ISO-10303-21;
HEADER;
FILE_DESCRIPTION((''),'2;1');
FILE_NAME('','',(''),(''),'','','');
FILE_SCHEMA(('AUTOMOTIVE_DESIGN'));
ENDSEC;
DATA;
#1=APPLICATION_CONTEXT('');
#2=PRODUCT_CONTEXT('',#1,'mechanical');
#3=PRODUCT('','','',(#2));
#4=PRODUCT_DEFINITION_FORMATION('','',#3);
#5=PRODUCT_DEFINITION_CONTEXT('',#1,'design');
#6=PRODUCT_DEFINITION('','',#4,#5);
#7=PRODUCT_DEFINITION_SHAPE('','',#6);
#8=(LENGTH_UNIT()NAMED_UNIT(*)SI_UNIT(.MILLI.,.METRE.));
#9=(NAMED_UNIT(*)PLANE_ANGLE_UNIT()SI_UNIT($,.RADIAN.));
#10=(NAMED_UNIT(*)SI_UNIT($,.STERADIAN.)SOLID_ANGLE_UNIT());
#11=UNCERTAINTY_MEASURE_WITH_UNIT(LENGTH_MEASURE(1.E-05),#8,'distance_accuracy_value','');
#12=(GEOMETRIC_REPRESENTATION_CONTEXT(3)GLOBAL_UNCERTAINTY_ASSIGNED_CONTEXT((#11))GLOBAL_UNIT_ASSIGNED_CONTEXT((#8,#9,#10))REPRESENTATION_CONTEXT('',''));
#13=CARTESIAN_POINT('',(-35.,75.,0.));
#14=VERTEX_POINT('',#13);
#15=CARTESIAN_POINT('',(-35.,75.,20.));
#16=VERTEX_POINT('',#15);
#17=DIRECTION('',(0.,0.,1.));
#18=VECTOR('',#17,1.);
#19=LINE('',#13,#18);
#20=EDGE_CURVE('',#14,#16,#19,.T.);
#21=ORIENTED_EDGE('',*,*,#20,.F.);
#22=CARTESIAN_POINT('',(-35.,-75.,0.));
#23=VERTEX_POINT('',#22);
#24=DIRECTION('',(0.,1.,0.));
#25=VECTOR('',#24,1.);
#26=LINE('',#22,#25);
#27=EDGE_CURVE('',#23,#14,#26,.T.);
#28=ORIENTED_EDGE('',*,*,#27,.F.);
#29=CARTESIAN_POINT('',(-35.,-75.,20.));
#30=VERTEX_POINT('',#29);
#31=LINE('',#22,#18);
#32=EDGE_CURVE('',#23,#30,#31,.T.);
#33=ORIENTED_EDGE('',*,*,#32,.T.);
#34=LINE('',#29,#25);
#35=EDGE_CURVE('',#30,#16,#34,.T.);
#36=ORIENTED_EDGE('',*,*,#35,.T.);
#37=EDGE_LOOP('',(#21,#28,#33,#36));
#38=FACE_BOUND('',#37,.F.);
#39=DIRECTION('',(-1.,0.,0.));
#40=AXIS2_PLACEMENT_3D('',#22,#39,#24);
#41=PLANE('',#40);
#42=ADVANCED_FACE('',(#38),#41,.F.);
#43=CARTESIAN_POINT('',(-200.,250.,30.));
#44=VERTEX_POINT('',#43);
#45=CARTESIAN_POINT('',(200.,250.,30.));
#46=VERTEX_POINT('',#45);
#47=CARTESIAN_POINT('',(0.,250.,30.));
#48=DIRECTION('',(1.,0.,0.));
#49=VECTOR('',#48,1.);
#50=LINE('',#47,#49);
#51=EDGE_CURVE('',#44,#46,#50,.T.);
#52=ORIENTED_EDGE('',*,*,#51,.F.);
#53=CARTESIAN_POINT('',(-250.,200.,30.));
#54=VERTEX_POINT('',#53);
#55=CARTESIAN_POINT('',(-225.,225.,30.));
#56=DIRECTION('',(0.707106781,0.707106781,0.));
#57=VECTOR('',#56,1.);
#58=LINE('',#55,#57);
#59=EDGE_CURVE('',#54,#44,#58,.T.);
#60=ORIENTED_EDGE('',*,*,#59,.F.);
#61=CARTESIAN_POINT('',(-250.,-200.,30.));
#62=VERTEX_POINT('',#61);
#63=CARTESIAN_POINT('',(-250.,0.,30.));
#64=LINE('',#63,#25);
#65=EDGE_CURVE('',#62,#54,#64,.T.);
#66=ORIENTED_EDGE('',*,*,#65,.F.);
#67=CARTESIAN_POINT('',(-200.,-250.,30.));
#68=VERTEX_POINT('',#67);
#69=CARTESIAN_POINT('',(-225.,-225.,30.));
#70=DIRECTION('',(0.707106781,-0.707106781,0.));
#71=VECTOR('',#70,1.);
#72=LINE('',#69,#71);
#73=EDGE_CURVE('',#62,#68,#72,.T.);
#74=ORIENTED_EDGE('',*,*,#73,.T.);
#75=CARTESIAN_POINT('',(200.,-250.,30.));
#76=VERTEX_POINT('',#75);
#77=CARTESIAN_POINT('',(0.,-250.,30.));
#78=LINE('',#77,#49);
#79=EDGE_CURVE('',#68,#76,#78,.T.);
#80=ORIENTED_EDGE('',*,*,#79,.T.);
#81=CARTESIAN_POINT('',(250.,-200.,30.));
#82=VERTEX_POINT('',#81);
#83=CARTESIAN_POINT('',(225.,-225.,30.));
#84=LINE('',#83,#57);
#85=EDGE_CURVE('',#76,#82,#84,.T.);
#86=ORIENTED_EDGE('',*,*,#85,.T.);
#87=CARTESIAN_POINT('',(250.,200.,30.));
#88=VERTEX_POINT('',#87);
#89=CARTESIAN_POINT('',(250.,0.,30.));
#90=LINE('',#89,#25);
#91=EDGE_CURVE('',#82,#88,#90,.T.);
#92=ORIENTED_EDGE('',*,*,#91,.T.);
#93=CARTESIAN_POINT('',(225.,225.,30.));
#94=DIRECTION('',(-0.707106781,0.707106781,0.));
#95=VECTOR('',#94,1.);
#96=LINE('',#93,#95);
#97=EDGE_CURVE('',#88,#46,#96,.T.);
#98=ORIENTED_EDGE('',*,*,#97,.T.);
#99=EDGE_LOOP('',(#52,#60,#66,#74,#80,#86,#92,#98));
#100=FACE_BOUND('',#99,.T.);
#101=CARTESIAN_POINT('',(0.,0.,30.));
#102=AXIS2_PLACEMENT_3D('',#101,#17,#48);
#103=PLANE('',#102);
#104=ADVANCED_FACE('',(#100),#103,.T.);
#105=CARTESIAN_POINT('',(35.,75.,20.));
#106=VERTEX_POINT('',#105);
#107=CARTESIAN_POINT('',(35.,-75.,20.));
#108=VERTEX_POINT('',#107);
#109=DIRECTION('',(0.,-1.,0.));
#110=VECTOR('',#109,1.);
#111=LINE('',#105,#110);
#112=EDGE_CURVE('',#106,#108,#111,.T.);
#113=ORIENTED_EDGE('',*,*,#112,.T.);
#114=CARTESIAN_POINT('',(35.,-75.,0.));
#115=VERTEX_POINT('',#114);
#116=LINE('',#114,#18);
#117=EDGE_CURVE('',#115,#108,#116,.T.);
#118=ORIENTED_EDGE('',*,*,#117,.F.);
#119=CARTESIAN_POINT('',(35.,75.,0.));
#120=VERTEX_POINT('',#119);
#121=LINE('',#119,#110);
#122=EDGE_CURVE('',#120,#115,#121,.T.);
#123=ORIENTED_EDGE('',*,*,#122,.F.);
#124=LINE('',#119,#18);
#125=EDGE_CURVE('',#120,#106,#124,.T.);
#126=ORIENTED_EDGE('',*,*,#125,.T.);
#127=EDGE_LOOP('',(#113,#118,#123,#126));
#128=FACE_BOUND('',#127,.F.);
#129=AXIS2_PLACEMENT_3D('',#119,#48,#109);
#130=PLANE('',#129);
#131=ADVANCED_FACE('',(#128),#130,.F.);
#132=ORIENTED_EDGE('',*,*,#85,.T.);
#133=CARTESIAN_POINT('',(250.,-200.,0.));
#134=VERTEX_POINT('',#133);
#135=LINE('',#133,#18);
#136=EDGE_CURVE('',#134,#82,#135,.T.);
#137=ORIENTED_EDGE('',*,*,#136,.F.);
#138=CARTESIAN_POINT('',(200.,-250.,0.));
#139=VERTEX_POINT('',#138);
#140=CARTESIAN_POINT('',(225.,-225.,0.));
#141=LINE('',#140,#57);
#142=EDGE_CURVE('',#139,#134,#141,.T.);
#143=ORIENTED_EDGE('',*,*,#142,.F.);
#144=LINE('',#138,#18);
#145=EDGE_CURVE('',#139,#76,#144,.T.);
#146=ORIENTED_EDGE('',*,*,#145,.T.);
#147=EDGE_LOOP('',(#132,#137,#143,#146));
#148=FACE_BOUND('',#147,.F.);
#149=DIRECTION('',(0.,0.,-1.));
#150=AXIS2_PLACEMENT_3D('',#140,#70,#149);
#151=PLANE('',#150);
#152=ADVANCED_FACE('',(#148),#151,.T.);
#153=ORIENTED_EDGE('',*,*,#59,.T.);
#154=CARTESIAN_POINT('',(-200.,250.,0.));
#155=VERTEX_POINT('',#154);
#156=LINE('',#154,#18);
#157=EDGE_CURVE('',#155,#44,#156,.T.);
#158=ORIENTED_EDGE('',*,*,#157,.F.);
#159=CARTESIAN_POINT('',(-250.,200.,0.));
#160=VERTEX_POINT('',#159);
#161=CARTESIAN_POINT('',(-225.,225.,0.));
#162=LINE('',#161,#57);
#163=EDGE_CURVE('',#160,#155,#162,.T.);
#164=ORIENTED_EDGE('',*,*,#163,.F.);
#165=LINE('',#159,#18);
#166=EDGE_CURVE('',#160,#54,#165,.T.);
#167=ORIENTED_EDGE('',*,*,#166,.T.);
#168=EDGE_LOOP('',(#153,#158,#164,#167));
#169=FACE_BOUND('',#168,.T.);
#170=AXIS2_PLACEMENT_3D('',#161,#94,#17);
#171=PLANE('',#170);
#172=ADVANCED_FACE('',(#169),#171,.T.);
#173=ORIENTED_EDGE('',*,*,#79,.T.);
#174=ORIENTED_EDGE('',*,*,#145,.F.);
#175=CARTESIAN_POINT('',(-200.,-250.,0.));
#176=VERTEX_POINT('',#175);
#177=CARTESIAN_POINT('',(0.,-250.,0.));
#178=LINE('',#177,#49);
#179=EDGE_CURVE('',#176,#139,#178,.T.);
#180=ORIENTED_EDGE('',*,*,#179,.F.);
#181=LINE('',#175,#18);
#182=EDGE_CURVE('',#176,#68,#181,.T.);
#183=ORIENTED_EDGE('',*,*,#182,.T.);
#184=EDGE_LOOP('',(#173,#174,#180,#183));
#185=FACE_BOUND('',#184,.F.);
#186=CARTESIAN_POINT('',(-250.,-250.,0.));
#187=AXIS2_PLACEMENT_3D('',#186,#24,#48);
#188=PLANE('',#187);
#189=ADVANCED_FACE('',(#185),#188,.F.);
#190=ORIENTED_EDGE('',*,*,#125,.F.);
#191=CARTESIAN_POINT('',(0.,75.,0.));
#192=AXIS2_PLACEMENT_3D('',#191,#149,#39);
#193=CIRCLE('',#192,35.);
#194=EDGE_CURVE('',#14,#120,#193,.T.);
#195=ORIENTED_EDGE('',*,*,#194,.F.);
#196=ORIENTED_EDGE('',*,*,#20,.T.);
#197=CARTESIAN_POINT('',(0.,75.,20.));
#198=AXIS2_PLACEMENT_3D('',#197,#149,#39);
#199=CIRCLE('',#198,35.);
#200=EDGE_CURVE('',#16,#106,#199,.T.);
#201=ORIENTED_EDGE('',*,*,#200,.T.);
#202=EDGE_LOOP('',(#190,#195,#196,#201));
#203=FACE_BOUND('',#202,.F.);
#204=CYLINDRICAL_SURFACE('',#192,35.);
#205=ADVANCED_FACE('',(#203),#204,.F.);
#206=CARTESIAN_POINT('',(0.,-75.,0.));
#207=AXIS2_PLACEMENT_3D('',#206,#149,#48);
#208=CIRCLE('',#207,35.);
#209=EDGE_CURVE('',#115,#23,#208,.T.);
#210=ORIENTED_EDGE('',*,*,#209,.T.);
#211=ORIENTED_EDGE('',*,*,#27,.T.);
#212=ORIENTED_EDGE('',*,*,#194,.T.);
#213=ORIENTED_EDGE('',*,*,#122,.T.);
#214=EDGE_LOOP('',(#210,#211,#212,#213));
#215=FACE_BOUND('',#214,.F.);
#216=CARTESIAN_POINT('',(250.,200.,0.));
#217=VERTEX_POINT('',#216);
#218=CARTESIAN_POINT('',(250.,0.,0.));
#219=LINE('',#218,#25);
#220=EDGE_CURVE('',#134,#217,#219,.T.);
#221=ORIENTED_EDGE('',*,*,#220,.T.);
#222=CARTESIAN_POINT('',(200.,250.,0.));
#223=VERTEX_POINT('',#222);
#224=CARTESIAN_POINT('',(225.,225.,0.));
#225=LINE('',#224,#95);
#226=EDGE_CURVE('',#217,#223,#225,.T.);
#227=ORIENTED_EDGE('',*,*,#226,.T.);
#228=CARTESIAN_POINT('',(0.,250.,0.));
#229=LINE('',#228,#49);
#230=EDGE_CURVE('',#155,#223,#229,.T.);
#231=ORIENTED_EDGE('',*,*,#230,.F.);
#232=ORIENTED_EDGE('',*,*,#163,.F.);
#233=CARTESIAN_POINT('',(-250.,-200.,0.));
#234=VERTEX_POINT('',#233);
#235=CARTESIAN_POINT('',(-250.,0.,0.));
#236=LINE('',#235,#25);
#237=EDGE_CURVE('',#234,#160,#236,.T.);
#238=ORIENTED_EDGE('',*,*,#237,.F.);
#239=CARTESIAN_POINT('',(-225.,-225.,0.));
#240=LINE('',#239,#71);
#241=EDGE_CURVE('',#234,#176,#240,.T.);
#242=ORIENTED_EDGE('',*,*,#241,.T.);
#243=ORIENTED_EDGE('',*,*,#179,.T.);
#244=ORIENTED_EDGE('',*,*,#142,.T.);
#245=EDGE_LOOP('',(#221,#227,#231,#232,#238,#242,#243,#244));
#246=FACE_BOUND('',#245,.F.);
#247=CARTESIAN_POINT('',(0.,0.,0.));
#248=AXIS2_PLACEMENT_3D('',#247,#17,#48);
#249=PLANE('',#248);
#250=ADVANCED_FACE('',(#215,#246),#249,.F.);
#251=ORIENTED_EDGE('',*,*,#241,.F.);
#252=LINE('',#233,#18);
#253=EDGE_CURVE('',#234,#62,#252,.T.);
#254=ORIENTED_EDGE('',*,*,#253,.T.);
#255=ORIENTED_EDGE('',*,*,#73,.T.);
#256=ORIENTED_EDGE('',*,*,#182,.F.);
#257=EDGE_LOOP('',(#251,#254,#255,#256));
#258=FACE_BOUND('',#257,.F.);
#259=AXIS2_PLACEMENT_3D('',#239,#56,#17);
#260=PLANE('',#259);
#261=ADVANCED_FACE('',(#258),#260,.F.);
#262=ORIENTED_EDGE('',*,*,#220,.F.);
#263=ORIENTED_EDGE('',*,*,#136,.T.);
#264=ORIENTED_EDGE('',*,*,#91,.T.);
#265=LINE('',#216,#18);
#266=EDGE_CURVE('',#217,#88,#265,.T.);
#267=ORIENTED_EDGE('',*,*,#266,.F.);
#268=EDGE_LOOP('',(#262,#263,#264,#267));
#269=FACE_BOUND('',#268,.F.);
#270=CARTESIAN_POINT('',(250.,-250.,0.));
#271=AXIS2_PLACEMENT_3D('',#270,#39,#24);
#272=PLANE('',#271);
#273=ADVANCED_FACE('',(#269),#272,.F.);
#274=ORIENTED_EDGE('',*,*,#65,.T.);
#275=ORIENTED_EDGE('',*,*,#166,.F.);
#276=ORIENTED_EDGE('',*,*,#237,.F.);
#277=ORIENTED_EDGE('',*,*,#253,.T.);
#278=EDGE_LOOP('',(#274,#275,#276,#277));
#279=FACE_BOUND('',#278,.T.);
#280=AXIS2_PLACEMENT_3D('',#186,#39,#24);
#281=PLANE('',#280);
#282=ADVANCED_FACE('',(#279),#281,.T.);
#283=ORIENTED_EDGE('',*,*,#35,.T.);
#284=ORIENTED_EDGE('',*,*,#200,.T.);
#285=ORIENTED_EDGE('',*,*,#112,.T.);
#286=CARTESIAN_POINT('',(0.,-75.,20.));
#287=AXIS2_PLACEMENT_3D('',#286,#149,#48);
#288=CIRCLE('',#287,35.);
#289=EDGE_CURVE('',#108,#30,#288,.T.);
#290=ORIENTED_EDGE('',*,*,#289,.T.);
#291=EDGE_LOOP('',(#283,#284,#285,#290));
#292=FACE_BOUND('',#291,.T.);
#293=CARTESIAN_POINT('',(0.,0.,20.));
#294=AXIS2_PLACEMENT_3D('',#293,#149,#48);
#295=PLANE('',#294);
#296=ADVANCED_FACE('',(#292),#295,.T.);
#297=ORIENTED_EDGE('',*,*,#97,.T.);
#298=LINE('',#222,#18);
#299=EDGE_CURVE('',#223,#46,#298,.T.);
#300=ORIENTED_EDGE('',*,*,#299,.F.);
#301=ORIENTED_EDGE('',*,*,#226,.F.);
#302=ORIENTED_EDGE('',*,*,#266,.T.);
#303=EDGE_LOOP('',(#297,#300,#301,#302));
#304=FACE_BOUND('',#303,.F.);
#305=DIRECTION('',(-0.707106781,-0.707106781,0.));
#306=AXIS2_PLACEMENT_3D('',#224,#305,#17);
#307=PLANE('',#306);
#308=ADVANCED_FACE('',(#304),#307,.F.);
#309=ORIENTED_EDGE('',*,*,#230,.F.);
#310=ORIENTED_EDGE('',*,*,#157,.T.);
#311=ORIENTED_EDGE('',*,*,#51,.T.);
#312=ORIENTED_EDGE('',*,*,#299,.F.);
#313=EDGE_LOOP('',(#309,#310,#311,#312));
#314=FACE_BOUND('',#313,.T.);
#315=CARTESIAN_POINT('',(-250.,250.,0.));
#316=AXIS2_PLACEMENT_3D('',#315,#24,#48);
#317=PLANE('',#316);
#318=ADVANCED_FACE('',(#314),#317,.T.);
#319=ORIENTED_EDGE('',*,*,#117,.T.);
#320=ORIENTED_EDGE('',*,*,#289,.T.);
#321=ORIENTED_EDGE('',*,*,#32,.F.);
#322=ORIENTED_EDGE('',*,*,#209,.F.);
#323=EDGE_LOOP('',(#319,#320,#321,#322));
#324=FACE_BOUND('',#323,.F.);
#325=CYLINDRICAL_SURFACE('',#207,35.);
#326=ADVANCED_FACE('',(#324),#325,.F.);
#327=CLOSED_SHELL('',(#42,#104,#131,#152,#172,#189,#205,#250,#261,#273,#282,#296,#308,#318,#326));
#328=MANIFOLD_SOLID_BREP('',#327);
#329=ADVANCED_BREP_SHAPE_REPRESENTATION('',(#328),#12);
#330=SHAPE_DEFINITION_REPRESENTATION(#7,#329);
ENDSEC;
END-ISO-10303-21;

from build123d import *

# Parameters (mm, degrees)
F0_W     = 500
F0_H     = 500
F1_DEPTH = 30
F2_SIZE  = 50
F4_DEPTH = 20


with BuildPart() as f1:
    # F0 (on Top) → F1 (new body)
    with BuildSketch(Plane.XY):
        Rectangle(F0_W, F0_H)
    extrude(amount=F1_DEPTH)

    # F2
    f2_edges = [f1.edges().sort_by_distance(p)[0] for p in [
        (250, -250, 15),
        (250, 250, 15),
        (-250, -250, 15),
        (-250, 250, 15),
    ]]
    chamfer(f2_edges, length=F2_SIZE)

    # F3 (on face) → F4 (cut)
    with BuildSketch(Plane(origin=(0, 0, 0), x_dir=(1, 0, 0), z_dir=(0, 0, -1))):
        with BuildLine():
            ThreePointArc((-35, -75), (0, -110), (35, -75))
            Line((35, -75), (35, 75))
            ThreePointArc((35, 75), (0, 110), (-35, 75))
            Line((-35, 75), (-35, -75))
        make_face()
    extrude(amount=-F4_DEPTH, mode=Mode.SUBTRACT)


solid = f1.part
